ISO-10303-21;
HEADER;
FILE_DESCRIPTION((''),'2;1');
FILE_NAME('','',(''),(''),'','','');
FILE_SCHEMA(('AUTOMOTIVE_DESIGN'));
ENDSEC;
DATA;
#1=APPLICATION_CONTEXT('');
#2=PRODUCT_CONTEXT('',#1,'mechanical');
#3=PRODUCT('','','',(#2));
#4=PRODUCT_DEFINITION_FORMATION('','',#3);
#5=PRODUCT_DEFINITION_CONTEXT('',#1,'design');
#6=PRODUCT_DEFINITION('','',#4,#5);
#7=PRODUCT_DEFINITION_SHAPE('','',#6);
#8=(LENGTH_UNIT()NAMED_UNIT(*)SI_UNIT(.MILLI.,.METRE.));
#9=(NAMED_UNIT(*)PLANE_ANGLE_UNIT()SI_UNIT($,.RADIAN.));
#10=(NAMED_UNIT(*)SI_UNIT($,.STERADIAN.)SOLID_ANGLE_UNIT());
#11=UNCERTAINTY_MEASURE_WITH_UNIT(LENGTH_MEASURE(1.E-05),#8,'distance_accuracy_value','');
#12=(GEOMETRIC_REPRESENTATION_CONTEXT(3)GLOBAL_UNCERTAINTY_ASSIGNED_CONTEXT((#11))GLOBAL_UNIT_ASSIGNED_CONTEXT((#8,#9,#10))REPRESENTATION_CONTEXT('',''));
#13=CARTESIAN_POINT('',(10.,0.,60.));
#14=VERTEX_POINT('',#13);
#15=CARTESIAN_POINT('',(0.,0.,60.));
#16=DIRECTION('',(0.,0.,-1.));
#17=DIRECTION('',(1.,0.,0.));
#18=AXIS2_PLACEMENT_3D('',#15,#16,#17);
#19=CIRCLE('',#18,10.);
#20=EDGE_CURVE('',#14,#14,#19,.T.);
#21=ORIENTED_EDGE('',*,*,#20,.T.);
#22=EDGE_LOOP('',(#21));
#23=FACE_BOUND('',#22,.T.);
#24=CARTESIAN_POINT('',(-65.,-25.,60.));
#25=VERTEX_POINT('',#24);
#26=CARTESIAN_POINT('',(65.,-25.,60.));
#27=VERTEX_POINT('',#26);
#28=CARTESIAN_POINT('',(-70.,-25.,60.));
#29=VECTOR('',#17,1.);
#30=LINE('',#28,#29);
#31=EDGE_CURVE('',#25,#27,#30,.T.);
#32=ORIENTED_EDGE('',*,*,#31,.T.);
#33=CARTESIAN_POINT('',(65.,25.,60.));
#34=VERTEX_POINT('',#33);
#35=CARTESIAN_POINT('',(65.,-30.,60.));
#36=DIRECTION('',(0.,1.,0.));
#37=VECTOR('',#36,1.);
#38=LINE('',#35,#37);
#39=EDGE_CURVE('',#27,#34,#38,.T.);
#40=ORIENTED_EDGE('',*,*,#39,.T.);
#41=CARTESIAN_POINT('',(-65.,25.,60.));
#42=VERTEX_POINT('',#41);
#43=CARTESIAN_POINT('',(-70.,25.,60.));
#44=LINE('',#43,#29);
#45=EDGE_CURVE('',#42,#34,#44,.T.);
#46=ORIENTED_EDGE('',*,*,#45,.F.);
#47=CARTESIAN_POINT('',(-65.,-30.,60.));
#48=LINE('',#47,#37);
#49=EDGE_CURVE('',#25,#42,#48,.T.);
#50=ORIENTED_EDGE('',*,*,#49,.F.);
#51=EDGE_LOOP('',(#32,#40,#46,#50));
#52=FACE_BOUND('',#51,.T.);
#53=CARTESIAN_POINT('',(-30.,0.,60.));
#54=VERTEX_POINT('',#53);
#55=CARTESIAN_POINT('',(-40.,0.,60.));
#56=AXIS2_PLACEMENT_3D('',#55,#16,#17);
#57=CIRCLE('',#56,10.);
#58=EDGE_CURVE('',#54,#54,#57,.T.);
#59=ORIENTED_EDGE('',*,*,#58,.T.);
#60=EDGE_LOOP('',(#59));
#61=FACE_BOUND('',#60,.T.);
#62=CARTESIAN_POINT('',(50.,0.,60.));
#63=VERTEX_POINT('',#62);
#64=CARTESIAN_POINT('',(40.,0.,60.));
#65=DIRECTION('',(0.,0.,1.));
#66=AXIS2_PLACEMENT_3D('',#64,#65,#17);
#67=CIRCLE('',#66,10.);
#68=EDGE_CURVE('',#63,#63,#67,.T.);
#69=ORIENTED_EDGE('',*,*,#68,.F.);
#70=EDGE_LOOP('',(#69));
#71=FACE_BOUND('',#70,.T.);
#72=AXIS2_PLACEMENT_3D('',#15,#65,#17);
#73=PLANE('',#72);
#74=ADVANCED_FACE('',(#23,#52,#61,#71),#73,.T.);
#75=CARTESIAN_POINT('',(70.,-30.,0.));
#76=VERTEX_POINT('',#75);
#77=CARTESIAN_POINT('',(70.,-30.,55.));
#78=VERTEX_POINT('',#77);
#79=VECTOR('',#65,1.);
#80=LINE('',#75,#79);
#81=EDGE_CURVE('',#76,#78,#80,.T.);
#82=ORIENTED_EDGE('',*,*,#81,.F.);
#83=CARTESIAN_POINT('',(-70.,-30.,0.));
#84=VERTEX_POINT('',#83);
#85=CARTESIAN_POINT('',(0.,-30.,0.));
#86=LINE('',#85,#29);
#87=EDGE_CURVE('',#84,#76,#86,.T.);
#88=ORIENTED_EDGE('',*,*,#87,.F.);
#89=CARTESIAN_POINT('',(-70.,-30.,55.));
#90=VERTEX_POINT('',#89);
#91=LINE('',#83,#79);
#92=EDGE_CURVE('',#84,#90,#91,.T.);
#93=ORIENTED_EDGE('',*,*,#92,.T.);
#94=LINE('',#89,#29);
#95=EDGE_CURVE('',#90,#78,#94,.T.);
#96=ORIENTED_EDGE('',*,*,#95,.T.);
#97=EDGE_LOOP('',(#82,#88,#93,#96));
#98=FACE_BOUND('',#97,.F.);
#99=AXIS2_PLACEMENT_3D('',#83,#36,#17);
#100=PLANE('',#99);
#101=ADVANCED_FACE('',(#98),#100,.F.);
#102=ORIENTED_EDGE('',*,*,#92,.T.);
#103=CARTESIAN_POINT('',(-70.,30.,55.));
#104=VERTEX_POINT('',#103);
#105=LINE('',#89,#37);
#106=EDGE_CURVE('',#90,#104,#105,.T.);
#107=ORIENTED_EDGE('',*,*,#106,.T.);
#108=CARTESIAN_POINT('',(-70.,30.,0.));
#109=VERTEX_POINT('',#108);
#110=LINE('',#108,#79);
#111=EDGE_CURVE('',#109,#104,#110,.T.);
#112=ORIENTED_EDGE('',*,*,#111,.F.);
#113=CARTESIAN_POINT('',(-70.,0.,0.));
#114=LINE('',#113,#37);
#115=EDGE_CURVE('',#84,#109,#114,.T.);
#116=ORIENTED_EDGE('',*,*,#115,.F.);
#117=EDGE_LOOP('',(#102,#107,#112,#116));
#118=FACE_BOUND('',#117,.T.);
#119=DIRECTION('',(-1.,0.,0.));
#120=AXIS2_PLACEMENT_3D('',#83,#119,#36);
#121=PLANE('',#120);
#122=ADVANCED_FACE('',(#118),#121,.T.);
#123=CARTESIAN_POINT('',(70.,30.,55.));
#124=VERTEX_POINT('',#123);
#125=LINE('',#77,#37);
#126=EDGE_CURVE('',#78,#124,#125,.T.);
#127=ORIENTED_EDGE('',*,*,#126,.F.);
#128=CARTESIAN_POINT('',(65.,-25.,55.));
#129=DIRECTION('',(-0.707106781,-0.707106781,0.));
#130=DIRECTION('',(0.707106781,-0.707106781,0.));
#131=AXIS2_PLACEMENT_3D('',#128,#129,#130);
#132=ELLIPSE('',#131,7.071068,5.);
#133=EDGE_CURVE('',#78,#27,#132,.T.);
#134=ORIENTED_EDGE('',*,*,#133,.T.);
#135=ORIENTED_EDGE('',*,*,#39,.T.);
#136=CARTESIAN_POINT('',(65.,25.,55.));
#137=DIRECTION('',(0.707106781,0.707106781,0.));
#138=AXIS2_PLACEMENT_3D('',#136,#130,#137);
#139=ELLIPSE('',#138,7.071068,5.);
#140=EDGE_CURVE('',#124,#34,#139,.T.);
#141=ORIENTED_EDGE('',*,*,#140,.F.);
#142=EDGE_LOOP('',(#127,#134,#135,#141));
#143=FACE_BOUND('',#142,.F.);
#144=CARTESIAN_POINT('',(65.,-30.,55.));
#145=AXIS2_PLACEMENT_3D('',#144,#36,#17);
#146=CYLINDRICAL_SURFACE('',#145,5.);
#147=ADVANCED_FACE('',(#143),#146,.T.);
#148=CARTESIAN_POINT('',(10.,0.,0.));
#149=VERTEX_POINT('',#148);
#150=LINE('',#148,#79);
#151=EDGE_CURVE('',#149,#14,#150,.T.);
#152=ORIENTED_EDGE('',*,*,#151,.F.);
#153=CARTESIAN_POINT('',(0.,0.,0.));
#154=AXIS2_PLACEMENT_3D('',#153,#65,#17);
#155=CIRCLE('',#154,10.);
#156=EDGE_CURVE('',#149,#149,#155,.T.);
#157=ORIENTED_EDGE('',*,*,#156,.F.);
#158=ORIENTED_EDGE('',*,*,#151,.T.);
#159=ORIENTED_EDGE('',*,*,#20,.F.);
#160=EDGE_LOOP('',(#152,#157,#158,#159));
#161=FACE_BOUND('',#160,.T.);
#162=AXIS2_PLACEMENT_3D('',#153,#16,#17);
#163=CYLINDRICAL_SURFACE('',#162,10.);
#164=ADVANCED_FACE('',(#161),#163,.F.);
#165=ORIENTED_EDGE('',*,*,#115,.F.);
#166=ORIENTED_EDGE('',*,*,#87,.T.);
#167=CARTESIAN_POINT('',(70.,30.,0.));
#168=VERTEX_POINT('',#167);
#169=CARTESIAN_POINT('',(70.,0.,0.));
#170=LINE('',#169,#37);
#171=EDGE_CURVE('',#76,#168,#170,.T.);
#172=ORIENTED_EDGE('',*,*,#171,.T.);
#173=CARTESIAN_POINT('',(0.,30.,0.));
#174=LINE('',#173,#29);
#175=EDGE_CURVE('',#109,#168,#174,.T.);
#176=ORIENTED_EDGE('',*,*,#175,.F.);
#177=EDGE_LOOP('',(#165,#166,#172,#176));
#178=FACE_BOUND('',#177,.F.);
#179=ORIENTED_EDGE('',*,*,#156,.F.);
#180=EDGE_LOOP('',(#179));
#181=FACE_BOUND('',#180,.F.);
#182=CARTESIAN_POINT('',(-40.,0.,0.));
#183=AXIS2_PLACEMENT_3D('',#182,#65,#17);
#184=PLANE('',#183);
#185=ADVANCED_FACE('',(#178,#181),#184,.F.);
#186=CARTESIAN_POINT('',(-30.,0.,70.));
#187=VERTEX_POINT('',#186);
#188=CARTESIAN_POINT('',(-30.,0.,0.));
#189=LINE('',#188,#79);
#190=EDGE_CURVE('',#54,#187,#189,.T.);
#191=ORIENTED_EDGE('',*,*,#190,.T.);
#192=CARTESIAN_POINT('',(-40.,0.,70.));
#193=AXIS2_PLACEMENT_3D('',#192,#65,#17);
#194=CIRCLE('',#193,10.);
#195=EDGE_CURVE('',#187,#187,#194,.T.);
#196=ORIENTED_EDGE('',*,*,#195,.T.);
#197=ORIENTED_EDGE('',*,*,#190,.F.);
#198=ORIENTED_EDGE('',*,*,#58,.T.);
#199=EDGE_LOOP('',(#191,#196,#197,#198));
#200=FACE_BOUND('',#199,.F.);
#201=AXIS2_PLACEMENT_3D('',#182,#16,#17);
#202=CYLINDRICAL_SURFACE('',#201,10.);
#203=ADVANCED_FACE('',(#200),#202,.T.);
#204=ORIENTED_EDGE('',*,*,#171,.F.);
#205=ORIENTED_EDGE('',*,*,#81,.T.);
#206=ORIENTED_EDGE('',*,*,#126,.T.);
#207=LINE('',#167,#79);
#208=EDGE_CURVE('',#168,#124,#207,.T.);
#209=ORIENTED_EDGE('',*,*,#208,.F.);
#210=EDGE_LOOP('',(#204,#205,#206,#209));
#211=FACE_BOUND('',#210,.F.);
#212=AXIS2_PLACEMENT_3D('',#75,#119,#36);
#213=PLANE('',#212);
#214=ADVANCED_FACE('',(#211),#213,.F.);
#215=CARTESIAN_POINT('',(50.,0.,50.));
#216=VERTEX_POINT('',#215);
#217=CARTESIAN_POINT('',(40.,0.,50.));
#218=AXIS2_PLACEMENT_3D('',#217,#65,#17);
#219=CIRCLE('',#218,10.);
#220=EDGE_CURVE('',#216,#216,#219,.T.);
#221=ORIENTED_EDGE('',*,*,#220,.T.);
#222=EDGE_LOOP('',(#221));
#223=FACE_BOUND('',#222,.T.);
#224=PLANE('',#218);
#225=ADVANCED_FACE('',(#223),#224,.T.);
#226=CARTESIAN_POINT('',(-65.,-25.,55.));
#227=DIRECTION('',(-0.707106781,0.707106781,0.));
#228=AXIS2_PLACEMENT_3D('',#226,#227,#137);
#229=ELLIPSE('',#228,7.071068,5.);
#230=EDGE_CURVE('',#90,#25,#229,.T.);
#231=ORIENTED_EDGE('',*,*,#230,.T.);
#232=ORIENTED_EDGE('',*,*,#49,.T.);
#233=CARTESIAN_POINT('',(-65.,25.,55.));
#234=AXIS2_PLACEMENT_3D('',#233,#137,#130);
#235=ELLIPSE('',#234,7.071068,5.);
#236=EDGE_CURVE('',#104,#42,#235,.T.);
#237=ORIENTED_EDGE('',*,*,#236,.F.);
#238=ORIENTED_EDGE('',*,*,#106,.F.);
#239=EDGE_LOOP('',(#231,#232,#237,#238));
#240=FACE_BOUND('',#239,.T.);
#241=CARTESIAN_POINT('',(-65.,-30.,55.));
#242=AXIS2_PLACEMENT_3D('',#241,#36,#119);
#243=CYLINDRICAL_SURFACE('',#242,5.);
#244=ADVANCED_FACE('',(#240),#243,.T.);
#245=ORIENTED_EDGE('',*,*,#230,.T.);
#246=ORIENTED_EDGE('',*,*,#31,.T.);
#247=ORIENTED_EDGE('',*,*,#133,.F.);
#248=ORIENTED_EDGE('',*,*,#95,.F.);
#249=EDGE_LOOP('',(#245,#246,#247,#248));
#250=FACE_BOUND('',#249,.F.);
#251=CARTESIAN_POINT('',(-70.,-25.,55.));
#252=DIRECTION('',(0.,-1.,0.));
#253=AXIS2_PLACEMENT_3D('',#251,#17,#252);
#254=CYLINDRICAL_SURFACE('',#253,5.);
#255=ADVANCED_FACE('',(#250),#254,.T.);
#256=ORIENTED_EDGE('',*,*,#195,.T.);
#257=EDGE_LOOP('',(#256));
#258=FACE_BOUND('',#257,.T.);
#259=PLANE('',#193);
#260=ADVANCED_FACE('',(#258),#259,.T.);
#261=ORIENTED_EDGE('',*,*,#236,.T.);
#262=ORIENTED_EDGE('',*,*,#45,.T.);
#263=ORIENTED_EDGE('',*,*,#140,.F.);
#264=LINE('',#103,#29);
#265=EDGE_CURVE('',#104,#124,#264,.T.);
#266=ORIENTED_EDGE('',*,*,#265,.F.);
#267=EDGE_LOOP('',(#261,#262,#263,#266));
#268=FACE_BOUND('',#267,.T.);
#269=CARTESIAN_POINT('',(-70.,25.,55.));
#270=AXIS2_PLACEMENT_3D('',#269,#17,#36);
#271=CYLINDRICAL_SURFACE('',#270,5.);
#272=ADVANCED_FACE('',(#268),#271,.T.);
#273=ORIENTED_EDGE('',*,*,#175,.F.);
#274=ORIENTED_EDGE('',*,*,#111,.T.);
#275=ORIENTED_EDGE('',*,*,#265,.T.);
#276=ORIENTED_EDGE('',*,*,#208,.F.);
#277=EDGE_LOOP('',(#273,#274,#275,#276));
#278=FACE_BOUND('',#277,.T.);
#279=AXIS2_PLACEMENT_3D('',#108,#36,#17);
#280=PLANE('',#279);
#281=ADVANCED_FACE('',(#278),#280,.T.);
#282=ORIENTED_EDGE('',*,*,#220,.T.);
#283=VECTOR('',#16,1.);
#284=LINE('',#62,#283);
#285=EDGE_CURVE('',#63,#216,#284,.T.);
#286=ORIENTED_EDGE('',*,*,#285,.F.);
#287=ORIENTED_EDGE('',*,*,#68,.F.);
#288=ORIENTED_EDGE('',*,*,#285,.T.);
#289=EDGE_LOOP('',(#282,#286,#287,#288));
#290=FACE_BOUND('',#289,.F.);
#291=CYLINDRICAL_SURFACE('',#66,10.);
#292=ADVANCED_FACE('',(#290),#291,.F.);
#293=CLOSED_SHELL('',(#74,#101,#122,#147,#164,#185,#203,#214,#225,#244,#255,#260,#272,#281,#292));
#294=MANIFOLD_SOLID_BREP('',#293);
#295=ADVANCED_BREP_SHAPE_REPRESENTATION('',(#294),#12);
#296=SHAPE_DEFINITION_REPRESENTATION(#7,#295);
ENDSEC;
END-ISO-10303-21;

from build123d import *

# Parameters (mm, degrees)
F0_W     = 140
F0_H     = 60
F3_DEPTH = 60
F1_R     = 10
F4_DEPTH = 70
F2_R     = 10
F5_DEPTH = 120.3
F6_R     = 10
F7_DEPTH = 10
F8_R     = 5


with BuildPart() as f3:
    # F0 (on Top) → F3 (new body)
    with BuildSketch(Plane.XY):
        Rectangle(F0_W, F0_H)
    extrude(amount=F3_DEPTH)

    # F1 (on face) → F4 (join)
    with BuildSketch(Plane.XY):
        with Locations((-40, 0)):
            Circle(F1_R)
    extrude(amount=F4_DEPTH)

    # F2 (on face) → F5 (cut)
    with BuildSketch(Plane.XY):
        Circle(F2_R)
    extrude(amount=F5_DEPTH, mode=Mode.SUBTRACT)

    # F6 (on face) → F7 (cut)
    with BuildSketch(Plane.XY.offset(60)):
        with Locations((40, 0)):
            Circle(F6_R)
    extrude(amount=-F7_DEPTH, mode=Mode.SUBTRACT)

    # F8
    f8_edges = [f3.edges().sort_by_distance(p)[0] for p in [
        (0, 30, 60),
        (-70, 0, 60),
        (0, -30, 60),
        (70, 0, 60),
    ]]
    fillet(f8_edges, radius=F8_R)


solid = f3.part
